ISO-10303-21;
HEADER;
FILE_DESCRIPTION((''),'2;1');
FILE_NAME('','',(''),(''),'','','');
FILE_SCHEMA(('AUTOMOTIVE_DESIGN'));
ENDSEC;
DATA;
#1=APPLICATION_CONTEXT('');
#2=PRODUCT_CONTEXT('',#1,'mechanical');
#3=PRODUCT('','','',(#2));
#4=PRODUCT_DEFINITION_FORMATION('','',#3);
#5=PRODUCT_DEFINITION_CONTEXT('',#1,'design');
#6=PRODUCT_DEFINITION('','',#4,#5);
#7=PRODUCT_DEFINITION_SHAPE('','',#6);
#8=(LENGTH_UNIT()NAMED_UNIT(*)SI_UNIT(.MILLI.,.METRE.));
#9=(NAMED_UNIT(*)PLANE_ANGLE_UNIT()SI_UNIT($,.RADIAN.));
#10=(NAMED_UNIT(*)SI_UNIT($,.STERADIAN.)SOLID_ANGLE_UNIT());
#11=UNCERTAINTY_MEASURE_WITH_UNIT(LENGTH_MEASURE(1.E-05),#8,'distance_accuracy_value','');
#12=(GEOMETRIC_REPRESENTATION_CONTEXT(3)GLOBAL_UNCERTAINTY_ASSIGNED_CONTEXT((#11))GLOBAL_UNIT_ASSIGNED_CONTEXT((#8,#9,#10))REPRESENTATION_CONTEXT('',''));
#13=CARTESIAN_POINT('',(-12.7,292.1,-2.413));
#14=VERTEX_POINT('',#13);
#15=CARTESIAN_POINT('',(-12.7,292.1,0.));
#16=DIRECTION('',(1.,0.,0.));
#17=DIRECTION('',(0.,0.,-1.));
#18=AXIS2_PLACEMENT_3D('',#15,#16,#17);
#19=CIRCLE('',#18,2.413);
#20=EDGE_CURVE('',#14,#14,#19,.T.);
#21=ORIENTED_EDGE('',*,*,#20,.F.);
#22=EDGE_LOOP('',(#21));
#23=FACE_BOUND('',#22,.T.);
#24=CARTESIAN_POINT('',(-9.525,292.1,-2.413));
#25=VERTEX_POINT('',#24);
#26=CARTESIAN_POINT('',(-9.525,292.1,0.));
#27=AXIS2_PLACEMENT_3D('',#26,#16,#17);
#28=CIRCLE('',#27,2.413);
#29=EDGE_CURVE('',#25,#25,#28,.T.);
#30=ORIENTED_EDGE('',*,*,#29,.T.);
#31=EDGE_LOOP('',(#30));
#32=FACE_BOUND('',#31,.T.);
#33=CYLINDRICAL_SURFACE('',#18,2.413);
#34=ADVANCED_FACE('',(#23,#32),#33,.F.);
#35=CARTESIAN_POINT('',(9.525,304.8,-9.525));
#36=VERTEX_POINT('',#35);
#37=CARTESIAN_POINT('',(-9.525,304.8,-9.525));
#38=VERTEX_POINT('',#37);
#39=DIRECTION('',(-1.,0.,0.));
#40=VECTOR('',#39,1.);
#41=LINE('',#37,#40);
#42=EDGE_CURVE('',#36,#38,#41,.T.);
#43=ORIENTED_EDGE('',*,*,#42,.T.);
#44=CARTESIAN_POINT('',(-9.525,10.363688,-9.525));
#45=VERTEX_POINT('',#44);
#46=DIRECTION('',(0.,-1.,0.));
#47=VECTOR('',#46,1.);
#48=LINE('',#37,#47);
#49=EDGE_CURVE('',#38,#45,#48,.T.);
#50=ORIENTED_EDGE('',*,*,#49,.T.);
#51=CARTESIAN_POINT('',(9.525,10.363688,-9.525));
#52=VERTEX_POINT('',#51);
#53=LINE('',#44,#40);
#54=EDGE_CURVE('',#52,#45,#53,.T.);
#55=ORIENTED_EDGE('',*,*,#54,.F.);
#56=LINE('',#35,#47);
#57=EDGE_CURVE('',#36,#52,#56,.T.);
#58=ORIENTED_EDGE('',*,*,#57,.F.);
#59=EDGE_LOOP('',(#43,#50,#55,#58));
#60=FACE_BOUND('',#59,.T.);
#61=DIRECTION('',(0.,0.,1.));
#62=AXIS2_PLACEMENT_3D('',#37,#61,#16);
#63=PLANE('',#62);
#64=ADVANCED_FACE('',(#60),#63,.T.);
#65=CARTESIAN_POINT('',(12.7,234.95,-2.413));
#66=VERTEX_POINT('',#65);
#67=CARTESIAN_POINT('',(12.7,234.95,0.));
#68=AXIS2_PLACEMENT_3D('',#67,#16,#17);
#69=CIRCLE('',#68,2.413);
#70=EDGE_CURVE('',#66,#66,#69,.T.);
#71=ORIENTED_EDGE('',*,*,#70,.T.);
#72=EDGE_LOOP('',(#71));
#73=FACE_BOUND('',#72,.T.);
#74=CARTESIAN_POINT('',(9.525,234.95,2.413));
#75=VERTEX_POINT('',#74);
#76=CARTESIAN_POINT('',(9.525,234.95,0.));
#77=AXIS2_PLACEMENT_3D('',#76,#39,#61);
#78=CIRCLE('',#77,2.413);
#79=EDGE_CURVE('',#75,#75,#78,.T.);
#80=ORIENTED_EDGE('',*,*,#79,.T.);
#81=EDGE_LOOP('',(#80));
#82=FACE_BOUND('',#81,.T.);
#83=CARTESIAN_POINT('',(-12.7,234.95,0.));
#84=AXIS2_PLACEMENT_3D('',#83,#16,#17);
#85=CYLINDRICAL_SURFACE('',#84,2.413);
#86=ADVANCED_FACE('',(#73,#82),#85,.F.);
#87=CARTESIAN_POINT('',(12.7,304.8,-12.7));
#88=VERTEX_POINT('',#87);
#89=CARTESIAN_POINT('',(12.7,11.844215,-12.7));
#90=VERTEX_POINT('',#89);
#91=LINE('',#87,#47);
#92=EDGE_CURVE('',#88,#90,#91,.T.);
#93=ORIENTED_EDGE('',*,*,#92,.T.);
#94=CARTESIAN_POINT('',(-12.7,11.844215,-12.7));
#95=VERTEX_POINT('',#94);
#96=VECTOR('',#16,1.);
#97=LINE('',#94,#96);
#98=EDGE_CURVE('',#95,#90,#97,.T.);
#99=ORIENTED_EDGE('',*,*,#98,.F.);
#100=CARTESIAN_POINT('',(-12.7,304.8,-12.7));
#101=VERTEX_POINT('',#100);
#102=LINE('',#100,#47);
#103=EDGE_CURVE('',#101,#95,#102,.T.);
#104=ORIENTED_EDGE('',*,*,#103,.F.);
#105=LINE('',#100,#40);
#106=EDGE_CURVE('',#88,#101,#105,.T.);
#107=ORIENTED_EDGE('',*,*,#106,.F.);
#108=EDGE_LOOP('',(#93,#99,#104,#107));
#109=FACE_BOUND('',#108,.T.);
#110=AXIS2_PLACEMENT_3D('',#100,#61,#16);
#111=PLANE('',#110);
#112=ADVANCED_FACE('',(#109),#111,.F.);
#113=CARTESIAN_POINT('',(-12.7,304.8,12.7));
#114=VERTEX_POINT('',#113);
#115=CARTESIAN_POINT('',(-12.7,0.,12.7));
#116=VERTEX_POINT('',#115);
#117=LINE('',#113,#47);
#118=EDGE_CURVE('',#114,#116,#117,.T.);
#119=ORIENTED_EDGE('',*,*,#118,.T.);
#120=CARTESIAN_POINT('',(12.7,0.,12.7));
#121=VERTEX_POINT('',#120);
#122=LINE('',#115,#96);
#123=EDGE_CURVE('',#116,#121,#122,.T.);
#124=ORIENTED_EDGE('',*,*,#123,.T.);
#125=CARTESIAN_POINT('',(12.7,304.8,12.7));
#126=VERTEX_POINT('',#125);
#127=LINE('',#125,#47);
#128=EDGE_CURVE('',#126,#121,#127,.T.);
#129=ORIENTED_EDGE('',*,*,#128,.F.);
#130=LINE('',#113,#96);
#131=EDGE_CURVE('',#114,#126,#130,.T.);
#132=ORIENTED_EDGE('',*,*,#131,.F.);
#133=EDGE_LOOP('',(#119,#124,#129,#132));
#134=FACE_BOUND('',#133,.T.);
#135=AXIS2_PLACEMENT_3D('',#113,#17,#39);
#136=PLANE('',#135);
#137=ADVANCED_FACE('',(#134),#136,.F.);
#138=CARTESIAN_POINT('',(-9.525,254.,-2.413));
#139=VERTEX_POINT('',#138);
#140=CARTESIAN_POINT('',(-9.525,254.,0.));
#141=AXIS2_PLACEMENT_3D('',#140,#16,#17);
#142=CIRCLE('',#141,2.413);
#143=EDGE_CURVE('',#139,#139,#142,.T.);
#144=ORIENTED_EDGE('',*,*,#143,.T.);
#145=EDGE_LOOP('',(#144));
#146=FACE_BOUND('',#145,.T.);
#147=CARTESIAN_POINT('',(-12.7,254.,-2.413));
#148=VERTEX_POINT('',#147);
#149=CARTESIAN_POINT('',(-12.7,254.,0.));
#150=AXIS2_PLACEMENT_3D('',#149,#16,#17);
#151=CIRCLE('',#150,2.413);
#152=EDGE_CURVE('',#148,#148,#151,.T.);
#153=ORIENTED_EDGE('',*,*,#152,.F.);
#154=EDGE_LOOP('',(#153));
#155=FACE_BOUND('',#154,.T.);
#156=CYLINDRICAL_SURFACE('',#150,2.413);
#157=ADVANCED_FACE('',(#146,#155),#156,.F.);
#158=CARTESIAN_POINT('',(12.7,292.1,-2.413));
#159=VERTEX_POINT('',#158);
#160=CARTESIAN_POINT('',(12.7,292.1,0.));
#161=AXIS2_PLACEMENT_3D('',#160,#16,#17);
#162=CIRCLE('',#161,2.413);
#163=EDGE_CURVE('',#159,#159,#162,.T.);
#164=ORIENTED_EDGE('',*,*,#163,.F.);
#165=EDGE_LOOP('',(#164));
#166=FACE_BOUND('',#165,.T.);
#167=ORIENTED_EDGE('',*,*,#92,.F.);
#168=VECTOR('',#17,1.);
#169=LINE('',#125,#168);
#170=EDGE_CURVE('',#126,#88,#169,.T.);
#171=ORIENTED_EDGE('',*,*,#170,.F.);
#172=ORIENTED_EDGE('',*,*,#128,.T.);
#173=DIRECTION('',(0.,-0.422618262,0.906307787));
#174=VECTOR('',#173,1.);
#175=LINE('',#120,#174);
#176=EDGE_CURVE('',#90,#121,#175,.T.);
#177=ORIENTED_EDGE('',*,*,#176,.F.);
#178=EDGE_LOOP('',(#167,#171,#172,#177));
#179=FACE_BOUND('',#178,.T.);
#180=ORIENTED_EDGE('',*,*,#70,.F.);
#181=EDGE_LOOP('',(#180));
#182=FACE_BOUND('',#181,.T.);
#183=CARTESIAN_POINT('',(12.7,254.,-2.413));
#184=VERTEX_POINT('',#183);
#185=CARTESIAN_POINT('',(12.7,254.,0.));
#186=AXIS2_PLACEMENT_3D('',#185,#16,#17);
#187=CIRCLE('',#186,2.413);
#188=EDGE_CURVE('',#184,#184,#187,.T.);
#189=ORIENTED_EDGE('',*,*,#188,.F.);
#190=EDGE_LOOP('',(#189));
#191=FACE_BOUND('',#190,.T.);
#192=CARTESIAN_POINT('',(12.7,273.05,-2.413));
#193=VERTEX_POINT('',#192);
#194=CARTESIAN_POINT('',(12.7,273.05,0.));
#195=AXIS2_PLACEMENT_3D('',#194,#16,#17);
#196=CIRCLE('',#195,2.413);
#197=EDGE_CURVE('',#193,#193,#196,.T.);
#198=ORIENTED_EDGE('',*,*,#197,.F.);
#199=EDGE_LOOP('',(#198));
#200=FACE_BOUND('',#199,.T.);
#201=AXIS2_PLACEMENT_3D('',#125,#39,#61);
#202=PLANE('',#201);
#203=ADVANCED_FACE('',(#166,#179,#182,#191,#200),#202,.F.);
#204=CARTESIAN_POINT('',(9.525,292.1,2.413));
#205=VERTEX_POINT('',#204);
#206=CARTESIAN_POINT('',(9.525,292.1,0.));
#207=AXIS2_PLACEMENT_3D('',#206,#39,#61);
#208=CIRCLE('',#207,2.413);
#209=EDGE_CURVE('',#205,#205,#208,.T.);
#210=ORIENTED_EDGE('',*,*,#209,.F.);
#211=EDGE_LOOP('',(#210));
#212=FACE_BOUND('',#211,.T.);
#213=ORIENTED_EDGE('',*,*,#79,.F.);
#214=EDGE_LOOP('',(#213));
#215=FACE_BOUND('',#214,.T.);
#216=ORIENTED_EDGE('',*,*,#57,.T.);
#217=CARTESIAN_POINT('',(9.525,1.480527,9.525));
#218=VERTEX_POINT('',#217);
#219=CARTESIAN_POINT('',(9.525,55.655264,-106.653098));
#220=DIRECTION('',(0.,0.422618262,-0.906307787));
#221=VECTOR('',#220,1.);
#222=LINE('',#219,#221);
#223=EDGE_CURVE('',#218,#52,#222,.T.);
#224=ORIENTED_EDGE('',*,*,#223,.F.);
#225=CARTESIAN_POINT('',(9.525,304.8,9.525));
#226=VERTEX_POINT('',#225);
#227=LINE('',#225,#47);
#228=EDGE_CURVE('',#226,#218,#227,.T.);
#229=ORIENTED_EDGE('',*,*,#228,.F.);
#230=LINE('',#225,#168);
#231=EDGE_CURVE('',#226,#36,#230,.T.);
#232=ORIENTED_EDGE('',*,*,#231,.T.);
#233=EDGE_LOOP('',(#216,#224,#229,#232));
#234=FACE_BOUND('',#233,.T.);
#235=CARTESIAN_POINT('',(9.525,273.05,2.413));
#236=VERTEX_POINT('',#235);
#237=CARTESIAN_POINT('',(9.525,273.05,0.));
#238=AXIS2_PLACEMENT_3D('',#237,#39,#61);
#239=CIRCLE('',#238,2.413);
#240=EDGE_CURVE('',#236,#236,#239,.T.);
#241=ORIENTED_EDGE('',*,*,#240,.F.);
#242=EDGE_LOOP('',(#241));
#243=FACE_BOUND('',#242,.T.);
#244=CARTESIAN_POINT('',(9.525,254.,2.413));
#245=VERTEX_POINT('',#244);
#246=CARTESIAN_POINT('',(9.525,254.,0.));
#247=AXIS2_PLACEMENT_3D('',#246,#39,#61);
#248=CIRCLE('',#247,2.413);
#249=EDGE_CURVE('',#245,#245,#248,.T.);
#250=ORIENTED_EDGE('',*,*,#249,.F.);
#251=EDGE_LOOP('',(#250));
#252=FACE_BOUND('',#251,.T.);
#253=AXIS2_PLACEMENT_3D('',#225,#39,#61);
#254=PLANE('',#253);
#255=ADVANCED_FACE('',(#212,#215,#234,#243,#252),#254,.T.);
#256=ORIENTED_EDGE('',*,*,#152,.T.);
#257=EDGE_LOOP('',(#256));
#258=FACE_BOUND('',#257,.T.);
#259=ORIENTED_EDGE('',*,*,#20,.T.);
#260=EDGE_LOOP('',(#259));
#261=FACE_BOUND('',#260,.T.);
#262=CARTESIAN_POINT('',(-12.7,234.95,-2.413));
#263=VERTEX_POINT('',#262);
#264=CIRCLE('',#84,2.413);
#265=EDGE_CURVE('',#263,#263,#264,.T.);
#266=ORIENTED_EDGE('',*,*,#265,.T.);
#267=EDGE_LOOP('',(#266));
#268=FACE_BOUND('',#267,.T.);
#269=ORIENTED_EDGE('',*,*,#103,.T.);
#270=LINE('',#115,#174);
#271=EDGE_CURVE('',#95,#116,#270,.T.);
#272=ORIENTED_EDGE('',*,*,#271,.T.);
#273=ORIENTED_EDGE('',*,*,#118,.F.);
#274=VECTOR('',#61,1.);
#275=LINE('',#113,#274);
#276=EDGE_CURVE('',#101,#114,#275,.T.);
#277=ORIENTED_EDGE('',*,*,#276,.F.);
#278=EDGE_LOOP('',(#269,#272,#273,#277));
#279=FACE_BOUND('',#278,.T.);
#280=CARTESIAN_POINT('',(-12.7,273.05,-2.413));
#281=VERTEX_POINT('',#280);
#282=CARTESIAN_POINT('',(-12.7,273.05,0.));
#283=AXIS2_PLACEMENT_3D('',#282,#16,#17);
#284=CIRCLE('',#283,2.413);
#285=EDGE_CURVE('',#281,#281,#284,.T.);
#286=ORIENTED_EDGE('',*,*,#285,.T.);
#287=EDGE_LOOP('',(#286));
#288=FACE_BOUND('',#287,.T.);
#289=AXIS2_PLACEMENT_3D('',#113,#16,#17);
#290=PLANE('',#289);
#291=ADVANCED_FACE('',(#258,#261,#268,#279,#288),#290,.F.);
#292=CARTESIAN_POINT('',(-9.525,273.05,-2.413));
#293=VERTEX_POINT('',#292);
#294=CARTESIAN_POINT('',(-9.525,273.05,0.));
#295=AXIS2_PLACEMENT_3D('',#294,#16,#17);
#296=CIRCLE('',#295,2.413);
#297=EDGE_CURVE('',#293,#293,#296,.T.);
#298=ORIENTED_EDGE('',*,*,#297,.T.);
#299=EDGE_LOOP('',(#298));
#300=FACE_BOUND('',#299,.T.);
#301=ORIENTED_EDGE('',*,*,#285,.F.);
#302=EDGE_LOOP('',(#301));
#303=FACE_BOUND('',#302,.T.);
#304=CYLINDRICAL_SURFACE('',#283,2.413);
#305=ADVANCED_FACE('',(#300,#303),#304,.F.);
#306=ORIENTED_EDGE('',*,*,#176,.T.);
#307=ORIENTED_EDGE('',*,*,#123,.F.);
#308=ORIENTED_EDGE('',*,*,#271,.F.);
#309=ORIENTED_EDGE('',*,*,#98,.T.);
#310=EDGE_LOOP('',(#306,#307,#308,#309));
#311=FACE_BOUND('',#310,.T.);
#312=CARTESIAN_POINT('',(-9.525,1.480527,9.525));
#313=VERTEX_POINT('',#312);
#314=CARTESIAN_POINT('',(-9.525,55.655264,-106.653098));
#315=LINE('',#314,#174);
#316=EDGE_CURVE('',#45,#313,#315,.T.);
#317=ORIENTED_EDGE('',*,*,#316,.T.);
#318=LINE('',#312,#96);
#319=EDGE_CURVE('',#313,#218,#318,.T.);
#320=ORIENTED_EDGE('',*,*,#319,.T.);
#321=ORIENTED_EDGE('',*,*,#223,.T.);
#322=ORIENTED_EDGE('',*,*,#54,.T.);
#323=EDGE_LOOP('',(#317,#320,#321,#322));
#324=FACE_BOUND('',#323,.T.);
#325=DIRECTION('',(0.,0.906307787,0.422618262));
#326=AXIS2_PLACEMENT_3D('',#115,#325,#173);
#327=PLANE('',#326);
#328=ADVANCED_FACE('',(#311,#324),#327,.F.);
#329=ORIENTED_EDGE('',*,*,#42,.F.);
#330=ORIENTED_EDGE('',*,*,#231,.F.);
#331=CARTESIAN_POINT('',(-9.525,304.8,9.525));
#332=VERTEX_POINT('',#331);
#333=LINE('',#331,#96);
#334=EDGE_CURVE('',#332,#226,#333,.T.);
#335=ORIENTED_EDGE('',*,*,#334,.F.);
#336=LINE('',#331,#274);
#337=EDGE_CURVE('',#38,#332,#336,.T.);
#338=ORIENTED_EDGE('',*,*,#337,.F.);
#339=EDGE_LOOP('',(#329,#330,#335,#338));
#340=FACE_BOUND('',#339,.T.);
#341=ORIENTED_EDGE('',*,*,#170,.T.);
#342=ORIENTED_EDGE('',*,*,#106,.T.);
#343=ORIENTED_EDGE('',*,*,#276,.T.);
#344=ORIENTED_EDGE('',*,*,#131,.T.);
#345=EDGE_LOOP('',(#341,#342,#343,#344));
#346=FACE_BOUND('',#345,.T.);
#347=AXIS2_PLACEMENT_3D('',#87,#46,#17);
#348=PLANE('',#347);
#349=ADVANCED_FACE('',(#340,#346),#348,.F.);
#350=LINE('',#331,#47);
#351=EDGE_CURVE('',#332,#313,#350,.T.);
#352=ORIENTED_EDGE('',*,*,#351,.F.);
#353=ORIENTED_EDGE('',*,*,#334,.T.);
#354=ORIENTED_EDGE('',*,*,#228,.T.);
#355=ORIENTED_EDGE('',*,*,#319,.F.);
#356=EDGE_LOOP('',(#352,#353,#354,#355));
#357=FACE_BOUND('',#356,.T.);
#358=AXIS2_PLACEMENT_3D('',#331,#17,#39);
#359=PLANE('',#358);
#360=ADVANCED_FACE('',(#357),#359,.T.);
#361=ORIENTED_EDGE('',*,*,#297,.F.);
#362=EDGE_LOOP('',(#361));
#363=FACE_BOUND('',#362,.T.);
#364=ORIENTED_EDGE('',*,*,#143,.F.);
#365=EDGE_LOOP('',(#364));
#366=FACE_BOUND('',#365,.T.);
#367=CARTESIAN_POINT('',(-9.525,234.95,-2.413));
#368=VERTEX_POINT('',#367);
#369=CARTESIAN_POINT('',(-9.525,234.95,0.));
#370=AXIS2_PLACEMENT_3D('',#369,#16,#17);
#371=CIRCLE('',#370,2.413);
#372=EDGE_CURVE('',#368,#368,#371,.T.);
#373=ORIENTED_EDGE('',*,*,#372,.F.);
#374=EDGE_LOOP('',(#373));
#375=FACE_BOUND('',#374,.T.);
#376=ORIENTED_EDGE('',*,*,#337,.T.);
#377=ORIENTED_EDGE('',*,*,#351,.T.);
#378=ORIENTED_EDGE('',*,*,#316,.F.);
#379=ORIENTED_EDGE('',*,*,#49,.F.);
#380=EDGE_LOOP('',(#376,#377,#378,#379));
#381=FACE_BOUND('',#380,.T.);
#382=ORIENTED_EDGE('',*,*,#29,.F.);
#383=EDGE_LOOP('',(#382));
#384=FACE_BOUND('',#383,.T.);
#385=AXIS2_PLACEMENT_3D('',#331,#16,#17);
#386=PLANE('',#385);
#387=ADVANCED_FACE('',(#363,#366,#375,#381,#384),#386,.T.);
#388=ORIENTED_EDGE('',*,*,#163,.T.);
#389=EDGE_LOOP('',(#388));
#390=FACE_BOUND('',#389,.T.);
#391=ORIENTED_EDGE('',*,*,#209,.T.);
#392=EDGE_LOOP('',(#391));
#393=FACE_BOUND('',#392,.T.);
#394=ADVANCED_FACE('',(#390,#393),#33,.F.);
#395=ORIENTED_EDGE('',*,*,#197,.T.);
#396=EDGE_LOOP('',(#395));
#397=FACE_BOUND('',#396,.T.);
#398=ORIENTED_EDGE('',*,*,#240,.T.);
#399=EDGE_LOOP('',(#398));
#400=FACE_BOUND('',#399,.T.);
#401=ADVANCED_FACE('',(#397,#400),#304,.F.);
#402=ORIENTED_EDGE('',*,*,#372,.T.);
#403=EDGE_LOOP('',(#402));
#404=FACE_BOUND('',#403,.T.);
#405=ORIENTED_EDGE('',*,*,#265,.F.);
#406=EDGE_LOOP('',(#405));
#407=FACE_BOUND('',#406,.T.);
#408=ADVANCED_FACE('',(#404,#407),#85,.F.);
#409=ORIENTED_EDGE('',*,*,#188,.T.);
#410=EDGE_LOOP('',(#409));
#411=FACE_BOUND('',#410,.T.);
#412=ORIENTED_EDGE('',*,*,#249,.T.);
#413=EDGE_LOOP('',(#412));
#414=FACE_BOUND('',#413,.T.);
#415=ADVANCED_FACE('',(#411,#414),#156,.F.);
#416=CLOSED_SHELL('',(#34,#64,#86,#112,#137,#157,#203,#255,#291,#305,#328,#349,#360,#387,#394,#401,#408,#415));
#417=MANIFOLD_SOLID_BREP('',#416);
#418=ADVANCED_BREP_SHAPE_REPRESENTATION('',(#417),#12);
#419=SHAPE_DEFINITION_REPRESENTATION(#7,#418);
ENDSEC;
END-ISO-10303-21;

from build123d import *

# Parameters (mm, degrees)
SKETCH1_W           = 25.4
SKETCH1_H           = 25.4
SKETCH1_W_2         = 19.05
SKETCH1_H_2         = 19.05
BOSS_EXTRUDE1_DEPTH = 304.8
SKETCH2_R           = 2.413
CUT_EXTRUDE1_DEPTH  = 25.4


with BuildPart() as part:
    # Sketch1 → Boss-Extrude1 (new body)
    with BuildSketch(Plane(origin=(0, 0, 0), x_dir=(1, 0, 0), z_dir=(0, 1, 0))):
        Rectangle(SKETCH1_W, SKETCH1_H)
        Rectangle(SKETCH1_W_2, SKETCH1_H_2, mode=Mode.SUBTRACT)
    extrude(amount=BOSS_EXTRUDE1_DEPTH)

    # Sketch2 → Cut-Extrude1 (cut)
    with BuildSketch(Plane(origin=(12.7, 0, 0), x_dir=(0, 0, -1), z_dir=(1, 0, 0))):
        with Locations((0, 292.1)):
            Circle(SKETCH2_R)
        with Locations((0, 273.05)):
            Circle(SKETCH2_R)
        with Locations((0, 254)):
            Circle(SKETCH2_R)
        with Locations((0, 234.95)):
            Circle(SKETCH2_R)
        Polygon((-12.7, 0), (12.7, 11.844214517), (12.7, 0), align=None)
    extrude(amount=-CUT_EXTRUDE1_DEPTH, mode=Mode.SUBTRACT)


solid = part.part
